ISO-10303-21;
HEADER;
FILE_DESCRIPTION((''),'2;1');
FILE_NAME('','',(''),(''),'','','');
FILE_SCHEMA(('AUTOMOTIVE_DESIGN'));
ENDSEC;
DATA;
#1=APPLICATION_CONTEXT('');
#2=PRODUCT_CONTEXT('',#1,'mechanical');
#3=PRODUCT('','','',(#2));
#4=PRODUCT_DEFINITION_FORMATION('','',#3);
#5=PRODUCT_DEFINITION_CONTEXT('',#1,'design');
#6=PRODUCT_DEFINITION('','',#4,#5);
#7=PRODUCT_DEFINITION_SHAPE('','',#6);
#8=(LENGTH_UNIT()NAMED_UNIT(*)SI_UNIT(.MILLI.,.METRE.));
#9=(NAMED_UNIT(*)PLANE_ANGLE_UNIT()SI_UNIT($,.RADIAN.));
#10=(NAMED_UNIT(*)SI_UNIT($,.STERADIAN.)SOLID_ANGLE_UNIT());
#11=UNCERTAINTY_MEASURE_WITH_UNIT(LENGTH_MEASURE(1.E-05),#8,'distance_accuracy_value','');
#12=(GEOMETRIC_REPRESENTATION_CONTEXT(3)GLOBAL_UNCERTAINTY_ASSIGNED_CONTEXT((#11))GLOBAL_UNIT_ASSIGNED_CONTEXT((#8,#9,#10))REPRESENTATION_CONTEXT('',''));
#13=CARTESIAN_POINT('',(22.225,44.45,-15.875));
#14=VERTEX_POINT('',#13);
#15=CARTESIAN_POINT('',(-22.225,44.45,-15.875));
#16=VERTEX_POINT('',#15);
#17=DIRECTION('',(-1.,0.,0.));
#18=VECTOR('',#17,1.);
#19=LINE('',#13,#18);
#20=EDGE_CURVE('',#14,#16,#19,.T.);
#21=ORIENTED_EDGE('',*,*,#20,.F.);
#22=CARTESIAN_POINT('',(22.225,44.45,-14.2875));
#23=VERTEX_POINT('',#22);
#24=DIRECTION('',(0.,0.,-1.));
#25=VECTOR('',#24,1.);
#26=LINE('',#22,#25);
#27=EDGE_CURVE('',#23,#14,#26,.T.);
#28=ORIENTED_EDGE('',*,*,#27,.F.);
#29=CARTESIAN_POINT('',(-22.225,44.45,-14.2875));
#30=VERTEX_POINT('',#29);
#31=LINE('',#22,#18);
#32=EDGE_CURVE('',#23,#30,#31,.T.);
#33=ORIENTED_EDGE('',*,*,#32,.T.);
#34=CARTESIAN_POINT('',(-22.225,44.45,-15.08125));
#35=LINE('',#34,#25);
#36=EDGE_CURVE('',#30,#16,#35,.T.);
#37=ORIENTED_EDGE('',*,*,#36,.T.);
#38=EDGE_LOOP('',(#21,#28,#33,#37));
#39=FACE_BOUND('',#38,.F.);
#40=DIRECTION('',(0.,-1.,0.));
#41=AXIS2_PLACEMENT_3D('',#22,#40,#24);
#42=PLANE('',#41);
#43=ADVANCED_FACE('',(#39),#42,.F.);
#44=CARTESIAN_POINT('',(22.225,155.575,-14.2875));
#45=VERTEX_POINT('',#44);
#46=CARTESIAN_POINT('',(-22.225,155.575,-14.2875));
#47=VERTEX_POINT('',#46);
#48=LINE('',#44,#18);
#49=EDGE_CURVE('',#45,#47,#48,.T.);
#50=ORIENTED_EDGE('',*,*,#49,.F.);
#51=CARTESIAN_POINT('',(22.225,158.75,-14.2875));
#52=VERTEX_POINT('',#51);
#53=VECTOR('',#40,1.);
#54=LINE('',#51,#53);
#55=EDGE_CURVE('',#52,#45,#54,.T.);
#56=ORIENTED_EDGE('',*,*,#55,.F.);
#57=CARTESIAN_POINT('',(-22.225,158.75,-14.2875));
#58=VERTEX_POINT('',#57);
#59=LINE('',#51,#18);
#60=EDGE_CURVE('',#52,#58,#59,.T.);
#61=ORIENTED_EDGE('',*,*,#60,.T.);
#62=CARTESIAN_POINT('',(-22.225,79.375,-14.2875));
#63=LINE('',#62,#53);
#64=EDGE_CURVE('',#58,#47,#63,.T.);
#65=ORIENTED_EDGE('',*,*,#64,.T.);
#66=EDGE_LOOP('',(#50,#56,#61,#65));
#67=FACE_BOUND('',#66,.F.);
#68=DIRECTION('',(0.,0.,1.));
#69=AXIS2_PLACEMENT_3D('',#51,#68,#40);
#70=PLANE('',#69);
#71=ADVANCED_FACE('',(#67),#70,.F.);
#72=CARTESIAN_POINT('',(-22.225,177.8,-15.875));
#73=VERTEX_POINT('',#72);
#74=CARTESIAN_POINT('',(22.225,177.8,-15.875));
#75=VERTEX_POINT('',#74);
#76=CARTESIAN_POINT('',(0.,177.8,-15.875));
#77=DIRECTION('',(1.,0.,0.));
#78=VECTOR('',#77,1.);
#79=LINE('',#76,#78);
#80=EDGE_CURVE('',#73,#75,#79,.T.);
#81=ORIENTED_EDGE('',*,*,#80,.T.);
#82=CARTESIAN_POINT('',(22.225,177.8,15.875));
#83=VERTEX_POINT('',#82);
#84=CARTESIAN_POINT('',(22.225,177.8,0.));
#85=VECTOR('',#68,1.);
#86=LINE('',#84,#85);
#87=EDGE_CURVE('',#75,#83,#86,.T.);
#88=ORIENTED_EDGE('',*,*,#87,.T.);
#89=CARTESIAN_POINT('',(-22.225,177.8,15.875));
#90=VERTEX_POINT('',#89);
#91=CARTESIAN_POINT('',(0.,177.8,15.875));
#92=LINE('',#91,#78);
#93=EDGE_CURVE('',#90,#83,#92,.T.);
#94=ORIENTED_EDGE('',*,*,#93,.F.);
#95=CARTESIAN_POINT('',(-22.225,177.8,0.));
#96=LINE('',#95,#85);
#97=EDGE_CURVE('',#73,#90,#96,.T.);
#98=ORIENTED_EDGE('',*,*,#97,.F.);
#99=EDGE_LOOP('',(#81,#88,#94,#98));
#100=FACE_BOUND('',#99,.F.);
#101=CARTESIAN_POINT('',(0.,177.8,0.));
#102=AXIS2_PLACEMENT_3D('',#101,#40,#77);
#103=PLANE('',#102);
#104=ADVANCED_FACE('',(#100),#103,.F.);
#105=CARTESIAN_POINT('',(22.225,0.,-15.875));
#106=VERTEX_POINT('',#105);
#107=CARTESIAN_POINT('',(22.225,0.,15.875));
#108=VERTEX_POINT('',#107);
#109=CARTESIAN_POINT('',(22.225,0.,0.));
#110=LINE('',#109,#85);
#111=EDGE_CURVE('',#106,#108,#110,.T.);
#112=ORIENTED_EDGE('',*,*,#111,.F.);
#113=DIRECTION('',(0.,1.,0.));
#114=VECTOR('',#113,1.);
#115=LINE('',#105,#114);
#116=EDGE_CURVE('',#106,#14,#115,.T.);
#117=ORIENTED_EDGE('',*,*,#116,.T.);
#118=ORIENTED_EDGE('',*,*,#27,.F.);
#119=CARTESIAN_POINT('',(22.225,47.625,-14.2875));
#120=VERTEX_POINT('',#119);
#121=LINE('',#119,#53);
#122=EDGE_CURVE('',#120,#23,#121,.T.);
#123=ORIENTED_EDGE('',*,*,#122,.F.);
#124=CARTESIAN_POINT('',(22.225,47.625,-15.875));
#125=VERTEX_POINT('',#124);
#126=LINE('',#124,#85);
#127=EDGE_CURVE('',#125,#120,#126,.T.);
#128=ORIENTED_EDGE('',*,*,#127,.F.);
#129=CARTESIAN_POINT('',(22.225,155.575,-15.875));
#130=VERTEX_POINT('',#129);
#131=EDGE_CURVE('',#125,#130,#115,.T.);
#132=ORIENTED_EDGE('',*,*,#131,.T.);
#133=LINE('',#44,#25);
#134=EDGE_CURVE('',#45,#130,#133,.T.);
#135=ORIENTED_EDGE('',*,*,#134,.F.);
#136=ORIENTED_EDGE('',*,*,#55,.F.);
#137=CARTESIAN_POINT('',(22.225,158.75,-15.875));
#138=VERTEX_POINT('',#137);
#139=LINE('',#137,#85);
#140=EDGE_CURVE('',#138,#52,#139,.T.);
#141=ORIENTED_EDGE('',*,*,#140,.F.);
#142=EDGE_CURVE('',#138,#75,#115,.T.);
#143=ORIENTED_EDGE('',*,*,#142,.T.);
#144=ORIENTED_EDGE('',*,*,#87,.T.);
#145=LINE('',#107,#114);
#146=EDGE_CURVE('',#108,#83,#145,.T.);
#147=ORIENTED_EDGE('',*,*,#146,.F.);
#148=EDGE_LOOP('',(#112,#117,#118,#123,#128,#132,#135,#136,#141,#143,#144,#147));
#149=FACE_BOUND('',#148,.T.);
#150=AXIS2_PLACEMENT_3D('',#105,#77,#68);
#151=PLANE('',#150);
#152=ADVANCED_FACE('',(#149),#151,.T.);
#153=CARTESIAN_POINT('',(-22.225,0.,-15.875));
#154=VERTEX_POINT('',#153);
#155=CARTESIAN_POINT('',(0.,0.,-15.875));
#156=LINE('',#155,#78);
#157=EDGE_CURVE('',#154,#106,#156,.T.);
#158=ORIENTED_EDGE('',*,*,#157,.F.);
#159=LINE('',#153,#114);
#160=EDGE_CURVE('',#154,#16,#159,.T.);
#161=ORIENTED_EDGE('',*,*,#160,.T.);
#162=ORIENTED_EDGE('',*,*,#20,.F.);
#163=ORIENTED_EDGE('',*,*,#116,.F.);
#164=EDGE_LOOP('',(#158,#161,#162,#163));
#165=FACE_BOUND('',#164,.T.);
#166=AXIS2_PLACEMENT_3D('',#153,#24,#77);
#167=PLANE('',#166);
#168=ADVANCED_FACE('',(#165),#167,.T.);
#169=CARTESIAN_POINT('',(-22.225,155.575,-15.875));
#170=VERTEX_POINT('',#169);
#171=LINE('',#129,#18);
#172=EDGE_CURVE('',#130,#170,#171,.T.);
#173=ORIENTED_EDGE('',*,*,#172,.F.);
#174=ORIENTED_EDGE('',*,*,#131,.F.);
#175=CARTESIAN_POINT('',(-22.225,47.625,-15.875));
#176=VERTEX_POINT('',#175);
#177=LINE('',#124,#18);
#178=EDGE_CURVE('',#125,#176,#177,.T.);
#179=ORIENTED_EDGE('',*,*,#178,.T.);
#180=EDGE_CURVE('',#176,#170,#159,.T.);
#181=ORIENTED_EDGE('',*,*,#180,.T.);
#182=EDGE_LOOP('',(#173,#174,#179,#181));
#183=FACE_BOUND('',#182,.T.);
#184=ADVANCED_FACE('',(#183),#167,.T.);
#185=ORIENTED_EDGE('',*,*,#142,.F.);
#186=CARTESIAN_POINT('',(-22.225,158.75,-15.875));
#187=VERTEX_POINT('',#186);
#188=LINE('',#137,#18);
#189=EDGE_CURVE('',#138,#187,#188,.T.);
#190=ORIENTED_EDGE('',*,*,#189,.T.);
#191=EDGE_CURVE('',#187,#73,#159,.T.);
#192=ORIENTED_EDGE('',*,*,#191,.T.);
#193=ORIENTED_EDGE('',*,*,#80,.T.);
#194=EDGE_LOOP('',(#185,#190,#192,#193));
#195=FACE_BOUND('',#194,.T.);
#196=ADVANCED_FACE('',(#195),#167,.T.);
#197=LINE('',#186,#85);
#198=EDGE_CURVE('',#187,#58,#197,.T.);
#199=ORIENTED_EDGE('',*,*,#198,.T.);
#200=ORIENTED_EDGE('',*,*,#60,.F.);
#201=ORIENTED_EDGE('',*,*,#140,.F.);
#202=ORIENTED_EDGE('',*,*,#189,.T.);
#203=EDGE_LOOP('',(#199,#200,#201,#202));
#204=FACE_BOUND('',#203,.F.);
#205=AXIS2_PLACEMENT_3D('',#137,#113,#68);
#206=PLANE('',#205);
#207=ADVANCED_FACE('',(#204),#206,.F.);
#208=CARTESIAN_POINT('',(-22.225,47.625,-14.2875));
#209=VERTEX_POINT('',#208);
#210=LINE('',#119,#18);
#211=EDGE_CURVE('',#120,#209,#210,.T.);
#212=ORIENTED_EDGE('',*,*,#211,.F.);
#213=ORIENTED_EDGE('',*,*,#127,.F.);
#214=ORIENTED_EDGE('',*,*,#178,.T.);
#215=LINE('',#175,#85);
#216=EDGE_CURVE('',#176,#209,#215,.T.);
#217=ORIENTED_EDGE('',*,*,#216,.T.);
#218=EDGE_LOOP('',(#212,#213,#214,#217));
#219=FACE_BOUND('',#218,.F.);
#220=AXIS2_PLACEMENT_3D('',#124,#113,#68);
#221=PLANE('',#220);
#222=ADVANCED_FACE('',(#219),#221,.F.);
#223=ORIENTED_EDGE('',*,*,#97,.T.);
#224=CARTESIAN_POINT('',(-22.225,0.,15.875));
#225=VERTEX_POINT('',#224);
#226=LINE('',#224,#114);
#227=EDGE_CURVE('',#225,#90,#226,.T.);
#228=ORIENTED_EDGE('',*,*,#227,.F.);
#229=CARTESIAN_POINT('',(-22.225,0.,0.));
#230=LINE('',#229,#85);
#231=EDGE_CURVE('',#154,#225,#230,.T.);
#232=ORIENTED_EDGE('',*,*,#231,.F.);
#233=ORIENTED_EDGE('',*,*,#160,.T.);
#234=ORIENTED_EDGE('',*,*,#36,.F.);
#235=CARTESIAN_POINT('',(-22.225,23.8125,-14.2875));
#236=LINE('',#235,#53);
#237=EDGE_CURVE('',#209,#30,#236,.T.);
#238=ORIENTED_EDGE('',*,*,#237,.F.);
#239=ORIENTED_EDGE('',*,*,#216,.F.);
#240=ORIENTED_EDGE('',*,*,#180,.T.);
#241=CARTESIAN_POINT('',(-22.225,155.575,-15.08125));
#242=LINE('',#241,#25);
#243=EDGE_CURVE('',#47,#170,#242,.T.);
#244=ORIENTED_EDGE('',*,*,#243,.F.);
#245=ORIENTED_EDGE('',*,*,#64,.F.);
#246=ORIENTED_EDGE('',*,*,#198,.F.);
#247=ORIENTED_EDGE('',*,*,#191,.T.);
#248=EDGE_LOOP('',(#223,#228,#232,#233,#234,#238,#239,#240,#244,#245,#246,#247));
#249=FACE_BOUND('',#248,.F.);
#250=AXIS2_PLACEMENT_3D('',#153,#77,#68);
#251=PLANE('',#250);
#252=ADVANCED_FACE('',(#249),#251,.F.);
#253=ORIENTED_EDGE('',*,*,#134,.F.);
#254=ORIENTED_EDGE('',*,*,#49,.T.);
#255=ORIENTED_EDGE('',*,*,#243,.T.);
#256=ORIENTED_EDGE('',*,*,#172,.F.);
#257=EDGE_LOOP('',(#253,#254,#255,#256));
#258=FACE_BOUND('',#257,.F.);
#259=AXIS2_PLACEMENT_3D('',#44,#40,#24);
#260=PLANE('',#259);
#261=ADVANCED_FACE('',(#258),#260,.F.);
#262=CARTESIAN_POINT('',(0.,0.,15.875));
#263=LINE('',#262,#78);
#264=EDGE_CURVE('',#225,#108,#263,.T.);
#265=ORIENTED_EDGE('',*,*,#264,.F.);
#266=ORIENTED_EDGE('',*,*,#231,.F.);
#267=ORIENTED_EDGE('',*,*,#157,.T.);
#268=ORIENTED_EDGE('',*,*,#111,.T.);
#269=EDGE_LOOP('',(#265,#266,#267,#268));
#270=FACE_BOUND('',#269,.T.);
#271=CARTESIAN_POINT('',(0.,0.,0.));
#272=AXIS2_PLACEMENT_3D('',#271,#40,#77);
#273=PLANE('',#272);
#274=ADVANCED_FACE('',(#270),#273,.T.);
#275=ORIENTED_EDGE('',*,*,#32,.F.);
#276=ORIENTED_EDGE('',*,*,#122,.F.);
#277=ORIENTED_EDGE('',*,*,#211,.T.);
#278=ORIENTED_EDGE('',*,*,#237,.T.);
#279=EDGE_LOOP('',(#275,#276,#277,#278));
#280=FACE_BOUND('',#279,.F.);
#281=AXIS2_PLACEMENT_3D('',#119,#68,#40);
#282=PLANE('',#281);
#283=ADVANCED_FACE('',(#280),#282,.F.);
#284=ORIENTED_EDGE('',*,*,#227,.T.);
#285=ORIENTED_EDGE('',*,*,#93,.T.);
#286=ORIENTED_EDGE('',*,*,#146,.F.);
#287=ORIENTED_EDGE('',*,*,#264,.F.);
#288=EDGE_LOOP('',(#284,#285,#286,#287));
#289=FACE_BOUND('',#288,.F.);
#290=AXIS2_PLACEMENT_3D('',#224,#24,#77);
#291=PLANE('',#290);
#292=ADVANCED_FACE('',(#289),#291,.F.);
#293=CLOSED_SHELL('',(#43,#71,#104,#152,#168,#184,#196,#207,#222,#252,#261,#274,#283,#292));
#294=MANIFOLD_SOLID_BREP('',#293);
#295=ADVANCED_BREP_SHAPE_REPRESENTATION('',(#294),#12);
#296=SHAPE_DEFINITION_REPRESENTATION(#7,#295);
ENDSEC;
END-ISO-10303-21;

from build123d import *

# Parameters (mm, degrees)
F0_W     = 44.45
F0_H     = 31.75
F1_DEPTH = 177.8
F3_DEPTH = 44.451


with BuildPart() as f1:
    # F0 (on Front) → F1 (new body)
    with BuildSketch(Plane.XZ):
        Rectangle(F0_W, F0_H)
    extrude(amount=-F1_DEPTH)

    # F2 (on face) → F3 (cut, through all)
    with BuildSketch(Plane.YZ.offset(22.225)):
        with BuildLine():
            ThreePointArc((46.0375, -14.2875), (44.914968, -14.752468), (44.45, -15.875))
            Line((44.45, -15.875), (47.625, -15.875))
            ThreePointArc((47.625, -15.875), (47.160032, -14.752468), (46.0375, -14.2875))
        make_face()
        with BuildLine():
            ThreePointArc((46.0375, -14.2875), (47.160032, -14.752468), (47.625, -15.875))
            Line((47.625, -15.875), (47.625, -14.2875))
            Line((47.625, -14.2875), (46.0375, -14.2875))
        make_face()
        with BuildLine():
            Line((44.45, -14.2875), (44.45, -15.875))
            ThreePointArc((44.45, -15.875), (44.914968, -14.752468), (46.0375, -14.2875))
            Line((46.0375, -14.2875), (44.45, -14.2875))
        make_face()
        with BuildLine():
            ThreePointArc((157.1625, -14.2875), (156.039968, -14.752468), (155.575, -15.875))
            Line((155.575, -15.875), (158.75, -15.875))
            ThreePointArc((158.75, -15.875), (158.285032, -14.752468), (157.1625, -14.2875))
        make_face()
        with BuildLine():
            ThreePointArc((157.1625, -14.2875), (158.285032, -14.752468), (158.75, -15.875))
            Line((158.75, -15.875), (158.75, -14.2875))
            Line((158.75, -14.2875), (157.1625, -14.2875))
        make_face()
        with BuildLine():
            Line((155.575, -14.2875), (155.575, -15.875))
            ThreePointArc((155.575, -15.875), (156.039968, -14.752468), (157.1625, -14.2875))
            Line((157.1625, -14.2875), (155.575, -14.2875))
        make_face()
    extrude(amount=-F3_DEPTH, mode=Mode.SUBTRACT)


solid = f1.part
